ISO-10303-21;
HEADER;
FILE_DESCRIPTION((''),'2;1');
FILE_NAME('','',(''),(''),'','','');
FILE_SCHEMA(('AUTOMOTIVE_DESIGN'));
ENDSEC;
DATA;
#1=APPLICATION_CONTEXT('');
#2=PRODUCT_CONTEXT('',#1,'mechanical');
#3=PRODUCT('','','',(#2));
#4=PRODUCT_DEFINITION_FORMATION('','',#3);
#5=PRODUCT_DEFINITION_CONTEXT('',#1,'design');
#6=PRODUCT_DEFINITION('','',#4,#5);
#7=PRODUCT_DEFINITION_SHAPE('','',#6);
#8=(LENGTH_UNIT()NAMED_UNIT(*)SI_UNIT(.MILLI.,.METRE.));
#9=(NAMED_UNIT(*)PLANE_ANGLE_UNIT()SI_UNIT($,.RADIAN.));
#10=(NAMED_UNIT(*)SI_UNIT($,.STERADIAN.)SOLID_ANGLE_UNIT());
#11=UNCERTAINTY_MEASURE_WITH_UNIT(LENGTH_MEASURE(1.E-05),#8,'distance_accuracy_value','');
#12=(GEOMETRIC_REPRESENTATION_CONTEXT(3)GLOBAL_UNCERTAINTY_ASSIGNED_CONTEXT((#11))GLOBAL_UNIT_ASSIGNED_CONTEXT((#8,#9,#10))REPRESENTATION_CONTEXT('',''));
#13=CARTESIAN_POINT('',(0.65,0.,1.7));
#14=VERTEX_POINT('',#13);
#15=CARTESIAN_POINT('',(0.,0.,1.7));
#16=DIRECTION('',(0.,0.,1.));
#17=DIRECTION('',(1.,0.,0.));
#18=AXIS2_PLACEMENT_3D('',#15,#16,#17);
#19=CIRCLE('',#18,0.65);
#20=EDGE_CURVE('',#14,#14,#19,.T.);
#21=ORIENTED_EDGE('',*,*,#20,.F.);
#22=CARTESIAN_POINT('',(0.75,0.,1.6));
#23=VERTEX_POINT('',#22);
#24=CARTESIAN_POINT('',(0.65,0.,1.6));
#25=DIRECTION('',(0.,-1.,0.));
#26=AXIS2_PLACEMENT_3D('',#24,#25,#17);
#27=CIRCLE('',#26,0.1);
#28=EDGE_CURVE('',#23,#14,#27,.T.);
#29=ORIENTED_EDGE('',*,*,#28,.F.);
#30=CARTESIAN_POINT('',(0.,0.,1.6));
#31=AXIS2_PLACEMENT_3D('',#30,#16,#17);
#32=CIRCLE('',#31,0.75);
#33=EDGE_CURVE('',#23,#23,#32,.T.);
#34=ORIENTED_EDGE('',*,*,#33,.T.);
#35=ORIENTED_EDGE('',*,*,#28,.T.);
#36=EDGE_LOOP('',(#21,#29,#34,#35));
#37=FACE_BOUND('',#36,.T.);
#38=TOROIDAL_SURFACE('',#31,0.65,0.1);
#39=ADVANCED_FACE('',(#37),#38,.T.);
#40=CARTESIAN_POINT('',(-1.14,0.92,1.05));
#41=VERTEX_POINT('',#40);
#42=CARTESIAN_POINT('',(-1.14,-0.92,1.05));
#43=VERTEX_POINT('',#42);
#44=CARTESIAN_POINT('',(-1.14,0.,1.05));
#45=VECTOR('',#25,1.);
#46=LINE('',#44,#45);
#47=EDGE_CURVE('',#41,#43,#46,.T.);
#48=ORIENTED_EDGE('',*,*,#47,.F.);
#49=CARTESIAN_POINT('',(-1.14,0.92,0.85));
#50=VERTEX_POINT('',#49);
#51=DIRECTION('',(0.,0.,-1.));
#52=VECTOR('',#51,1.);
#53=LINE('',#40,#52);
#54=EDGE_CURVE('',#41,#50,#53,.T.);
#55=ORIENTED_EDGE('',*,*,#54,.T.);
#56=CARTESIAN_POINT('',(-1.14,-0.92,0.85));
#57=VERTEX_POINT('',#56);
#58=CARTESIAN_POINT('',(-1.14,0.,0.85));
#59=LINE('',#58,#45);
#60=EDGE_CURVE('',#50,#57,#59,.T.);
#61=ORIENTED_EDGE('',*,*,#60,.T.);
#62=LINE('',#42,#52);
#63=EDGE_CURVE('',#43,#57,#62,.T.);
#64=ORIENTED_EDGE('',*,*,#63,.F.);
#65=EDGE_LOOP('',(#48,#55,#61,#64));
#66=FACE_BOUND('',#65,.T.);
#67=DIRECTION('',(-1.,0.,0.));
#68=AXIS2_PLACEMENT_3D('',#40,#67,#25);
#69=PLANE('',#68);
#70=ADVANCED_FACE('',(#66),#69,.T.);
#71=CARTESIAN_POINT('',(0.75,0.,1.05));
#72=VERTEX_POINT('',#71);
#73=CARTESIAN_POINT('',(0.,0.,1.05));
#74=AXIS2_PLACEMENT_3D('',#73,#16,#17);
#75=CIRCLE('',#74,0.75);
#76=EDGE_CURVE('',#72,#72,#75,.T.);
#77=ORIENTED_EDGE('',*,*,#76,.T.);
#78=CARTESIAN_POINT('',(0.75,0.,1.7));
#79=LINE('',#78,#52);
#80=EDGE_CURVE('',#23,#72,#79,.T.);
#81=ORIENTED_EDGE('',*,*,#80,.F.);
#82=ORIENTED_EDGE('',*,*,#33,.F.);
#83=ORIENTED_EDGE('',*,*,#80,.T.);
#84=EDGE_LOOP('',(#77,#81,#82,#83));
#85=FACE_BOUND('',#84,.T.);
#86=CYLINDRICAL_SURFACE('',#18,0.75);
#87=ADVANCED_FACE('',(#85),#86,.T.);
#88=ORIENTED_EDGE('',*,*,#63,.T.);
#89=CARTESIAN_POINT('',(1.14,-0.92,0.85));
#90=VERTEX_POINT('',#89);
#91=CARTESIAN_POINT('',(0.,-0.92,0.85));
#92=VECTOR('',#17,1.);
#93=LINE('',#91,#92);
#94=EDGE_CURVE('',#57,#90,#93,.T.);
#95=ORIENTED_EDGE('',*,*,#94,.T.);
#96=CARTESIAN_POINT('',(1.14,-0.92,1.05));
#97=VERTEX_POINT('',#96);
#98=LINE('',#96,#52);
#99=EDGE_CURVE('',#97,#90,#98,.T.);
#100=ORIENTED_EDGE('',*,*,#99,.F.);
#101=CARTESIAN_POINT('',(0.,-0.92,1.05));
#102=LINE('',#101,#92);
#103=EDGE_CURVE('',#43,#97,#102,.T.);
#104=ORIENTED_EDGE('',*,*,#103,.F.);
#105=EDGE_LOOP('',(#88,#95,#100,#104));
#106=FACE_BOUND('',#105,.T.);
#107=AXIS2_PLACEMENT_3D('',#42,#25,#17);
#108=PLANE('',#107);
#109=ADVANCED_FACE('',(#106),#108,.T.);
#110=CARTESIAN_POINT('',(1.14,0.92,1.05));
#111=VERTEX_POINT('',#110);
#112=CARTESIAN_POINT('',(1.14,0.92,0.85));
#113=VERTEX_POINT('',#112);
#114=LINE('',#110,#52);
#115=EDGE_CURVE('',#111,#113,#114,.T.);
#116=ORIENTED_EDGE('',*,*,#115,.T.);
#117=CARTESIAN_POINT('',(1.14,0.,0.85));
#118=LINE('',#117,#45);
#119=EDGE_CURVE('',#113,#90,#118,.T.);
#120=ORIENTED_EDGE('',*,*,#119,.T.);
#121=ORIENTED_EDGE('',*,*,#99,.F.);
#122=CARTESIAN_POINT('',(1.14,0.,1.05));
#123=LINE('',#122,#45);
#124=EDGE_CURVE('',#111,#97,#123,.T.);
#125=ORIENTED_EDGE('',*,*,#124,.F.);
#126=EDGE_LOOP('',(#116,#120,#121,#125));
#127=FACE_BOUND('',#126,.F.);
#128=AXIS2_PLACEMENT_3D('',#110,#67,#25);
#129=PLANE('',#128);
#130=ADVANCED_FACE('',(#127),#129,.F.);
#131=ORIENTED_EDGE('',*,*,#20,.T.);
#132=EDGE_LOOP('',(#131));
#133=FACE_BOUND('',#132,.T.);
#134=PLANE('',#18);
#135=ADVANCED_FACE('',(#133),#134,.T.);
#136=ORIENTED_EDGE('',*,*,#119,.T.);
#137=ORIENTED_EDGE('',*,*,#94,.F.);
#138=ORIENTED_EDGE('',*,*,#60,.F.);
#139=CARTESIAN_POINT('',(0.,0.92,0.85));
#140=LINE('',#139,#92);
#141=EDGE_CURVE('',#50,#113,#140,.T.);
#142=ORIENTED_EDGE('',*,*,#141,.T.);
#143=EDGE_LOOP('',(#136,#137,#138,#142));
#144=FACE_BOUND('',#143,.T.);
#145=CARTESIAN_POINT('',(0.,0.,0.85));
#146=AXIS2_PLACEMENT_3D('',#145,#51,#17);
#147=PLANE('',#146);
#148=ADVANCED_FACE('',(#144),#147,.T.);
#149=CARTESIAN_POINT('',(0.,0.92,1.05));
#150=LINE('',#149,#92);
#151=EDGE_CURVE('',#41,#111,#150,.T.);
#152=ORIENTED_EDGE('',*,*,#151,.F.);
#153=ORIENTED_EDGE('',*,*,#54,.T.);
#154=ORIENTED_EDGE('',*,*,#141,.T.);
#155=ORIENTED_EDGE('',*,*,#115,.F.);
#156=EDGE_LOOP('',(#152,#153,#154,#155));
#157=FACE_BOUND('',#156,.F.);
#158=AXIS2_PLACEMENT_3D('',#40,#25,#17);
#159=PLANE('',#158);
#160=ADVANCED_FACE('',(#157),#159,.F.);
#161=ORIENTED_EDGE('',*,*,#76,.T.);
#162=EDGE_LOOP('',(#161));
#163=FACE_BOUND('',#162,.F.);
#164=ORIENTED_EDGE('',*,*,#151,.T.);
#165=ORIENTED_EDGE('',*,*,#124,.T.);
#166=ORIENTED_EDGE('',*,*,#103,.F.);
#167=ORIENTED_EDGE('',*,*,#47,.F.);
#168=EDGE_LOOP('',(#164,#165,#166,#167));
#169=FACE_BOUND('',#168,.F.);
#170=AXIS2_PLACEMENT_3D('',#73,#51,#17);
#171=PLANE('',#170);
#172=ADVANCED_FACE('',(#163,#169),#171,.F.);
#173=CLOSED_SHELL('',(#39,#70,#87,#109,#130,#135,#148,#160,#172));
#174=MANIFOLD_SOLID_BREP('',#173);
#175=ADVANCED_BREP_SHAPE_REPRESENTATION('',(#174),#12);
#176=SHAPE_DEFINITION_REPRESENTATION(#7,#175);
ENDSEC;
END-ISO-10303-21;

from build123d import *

# Parameters (mm, degrees)
SKETCH010_R  = 0.75
PAD007_DEPTH = 0.65
SKETCH011_W  = 2.28
SKETCH011_H  = 1.84
PAD008_DEPTH = 0.2
FILLET001_R  = 0.1


with BuildPart() as part:
    # Sketch010 (on DatumPlane) → Pad007 (new body)
    with BuildSketch(Plane.XY.offset(1.7)):
        Circle(SKETCH010_R)
    extrude(amount=-PAD007_DEPTH)

    # Sketch011 (on Face3 of Pad007) → Pad008 (join)
    with BuildSketch(Plane(origin=(0, 0, 1.05), x_dir=(1, 0, 0), z_dir=(0, 0, -1))):
        Rectangle(SKETCH011_W, SKETCH011_H)
    extrude(amount=PAD008_DEPTH)

    # Fillet001
    fillet001_edges = [part.edges().sort_by_distance(p)[0] for p in [
        (-0.75, 0, 1.7),
    ]]
    fillet(fillet001_edges, radius=FILLET001_R)


solid = part.part
